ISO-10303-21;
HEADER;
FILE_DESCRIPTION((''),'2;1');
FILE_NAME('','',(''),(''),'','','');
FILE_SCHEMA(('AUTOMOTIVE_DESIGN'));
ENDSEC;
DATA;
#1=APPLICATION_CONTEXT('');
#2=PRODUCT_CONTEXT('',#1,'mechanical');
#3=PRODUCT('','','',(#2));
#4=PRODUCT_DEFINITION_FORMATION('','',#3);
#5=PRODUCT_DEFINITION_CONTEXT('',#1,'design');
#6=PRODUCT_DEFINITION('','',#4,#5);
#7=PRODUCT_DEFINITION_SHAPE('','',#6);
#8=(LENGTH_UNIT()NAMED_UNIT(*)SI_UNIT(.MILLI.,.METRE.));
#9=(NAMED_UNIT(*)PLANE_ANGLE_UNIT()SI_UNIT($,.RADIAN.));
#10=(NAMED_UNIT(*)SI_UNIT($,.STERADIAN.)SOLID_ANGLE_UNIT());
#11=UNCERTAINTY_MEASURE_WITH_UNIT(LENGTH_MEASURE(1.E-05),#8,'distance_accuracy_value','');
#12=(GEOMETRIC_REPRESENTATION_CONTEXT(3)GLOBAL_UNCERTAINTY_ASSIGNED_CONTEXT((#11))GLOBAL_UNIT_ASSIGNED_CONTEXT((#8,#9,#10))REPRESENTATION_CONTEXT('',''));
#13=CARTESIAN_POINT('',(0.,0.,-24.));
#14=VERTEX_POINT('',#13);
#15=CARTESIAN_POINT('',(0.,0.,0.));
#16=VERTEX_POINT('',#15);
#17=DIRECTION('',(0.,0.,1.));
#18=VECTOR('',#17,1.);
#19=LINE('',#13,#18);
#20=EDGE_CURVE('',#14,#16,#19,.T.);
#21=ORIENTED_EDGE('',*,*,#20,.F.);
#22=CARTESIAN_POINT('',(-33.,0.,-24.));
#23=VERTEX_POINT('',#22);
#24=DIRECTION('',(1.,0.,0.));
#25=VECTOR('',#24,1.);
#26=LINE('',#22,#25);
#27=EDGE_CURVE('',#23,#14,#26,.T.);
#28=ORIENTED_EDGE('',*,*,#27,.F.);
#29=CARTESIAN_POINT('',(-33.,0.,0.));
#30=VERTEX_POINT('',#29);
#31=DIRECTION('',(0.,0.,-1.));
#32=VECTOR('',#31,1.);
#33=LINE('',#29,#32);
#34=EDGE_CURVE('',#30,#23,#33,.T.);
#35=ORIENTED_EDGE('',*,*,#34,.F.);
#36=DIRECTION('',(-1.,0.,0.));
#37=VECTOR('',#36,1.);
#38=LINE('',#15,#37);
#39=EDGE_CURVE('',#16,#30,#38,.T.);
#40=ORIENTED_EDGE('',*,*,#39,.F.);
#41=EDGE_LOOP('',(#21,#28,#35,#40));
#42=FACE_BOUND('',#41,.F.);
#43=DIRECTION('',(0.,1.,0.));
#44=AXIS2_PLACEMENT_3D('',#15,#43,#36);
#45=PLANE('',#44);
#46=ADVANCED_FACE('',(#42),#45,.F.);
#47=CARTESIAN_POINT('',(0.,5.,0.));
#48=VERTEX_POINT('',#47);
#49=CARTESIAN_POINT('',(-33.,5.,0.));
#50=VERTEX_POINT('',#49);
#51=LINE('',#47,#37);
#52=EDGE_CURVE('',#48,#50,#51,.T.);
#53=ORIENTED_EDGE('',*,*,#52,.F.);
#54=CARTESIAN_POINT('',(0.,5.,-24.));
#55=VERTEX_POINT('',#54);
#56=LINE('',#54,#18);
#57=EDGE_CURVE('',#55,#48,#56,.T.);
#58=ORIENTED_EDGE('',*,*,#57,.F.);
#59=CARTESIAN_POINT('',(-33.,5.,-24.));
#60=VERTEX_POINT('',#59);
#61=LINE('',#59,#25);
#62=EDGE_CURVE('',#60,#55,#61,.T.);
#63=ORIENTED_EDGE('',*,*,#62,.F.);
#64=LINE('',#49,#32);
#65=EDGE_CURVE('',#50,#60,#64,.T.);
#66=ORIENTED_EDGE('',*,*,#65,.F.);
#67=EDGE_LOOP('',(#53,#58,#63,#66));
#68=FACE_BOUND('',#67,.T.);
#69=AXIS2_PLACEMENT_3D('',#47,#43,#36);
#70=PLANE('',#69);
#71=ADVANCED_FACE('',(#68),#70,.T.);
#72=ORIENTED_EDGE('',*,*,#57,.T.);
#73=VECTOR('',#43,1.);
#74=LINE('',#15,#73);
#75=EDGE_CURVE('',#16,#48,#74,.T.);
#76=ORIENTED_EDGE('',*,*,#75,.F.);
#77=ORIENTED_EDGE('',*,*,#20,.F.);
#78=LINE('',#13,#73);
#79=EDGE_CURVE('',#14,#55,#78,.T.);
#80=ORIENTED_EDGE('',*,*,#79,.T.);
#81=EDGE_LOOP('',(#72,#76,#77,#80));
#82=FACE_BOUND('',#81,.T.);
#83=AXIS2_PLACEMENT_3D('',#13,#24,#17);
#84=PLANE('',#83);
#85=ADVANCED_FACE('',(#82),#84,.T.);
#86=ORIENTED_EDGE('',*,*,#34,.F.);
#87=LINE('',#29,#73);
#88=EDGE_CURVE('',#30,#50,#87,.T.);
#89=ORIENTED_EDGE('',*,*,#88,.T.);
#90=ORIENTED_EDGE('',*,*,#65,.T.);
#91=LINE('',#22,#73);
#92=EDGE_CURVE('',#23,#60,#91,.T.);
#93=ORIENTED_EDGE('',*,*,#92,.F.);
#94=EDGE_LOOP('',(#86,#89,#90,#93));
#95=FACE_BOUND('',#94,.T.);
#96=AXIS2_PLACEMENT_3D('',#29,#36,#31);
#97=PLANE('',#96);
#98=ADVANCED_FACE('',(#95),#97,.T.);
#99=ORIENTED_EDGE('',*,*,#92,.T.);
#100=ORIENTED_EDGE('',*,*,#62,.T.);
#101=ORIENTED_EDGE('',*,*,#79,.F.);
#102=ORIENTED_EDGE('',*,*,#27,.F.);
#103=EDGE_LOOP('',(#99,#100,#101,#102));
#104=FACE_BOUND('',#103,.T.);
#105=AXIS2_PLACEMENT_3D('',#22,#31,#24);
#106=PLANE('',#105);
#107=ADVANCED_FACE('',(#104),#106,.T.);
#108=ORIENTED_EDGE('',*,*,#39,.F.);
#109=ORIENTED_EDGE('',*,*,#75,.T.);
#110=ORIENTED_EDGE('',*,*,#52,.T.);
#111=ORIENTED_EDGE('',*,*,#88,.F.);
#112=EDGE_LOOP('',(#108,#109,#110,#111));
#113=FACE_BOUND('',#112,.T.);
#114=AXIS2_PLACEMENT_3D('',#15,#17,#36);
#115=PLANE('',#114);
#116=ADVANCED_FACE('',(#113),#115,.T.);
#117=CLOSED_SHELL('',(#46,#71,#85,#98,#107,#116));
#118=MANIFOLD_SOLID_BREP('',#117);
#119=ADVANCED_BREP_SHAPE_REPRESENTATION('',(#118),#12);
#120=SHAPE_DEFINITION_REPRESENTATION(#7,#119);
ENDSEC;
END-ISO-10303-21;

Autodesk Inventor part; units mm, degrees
ref_plane "YZ Plane" through (0, 0, 0) normal (1, 0, 0) x (0, 1, 0)
ref_plane "XZ Plane" through (0, 0, 0) normal (0, 1, 0) x (-1, 0, 0)
ref_plane "XY Plane" through (0, 0, 0) normal (0, 0, 1) x (1, 0, 0)
sketch "草图1" plane through (0, 0, 0) normal (0, 1, 0) x (-1, 0, 0)
  line L0 (0, 0) -> (33, 0)
  line L1 (33, 0) -> (33, -24)
  line L2 (33, -24) -> (0, -24)
  line L3 (0, -24) -> (0, 0)
  dimension "d0" = 24
  dimension "d1" = 33
extrude "拉伸1" add sketch "草图1" along normal blind 5
sketch "草图2" plane through (0, 5, 0) normal (0, 1, 0) x (1, 0, 0)
  line L0 (-20.8588, 13.8298) -> (-7.0706, 13.8298) construction
  line L1 (-7.0706, 13.8298) -> (-7.0706, 10.0161) construction
  line L2 (-7.0706, 10.0161) -> (-20.8588, 10.0161) construction
  line L3 (-20.8588, 10.0161) -> (-20.8588, 13.8298) construction
properties part number "稳压"
